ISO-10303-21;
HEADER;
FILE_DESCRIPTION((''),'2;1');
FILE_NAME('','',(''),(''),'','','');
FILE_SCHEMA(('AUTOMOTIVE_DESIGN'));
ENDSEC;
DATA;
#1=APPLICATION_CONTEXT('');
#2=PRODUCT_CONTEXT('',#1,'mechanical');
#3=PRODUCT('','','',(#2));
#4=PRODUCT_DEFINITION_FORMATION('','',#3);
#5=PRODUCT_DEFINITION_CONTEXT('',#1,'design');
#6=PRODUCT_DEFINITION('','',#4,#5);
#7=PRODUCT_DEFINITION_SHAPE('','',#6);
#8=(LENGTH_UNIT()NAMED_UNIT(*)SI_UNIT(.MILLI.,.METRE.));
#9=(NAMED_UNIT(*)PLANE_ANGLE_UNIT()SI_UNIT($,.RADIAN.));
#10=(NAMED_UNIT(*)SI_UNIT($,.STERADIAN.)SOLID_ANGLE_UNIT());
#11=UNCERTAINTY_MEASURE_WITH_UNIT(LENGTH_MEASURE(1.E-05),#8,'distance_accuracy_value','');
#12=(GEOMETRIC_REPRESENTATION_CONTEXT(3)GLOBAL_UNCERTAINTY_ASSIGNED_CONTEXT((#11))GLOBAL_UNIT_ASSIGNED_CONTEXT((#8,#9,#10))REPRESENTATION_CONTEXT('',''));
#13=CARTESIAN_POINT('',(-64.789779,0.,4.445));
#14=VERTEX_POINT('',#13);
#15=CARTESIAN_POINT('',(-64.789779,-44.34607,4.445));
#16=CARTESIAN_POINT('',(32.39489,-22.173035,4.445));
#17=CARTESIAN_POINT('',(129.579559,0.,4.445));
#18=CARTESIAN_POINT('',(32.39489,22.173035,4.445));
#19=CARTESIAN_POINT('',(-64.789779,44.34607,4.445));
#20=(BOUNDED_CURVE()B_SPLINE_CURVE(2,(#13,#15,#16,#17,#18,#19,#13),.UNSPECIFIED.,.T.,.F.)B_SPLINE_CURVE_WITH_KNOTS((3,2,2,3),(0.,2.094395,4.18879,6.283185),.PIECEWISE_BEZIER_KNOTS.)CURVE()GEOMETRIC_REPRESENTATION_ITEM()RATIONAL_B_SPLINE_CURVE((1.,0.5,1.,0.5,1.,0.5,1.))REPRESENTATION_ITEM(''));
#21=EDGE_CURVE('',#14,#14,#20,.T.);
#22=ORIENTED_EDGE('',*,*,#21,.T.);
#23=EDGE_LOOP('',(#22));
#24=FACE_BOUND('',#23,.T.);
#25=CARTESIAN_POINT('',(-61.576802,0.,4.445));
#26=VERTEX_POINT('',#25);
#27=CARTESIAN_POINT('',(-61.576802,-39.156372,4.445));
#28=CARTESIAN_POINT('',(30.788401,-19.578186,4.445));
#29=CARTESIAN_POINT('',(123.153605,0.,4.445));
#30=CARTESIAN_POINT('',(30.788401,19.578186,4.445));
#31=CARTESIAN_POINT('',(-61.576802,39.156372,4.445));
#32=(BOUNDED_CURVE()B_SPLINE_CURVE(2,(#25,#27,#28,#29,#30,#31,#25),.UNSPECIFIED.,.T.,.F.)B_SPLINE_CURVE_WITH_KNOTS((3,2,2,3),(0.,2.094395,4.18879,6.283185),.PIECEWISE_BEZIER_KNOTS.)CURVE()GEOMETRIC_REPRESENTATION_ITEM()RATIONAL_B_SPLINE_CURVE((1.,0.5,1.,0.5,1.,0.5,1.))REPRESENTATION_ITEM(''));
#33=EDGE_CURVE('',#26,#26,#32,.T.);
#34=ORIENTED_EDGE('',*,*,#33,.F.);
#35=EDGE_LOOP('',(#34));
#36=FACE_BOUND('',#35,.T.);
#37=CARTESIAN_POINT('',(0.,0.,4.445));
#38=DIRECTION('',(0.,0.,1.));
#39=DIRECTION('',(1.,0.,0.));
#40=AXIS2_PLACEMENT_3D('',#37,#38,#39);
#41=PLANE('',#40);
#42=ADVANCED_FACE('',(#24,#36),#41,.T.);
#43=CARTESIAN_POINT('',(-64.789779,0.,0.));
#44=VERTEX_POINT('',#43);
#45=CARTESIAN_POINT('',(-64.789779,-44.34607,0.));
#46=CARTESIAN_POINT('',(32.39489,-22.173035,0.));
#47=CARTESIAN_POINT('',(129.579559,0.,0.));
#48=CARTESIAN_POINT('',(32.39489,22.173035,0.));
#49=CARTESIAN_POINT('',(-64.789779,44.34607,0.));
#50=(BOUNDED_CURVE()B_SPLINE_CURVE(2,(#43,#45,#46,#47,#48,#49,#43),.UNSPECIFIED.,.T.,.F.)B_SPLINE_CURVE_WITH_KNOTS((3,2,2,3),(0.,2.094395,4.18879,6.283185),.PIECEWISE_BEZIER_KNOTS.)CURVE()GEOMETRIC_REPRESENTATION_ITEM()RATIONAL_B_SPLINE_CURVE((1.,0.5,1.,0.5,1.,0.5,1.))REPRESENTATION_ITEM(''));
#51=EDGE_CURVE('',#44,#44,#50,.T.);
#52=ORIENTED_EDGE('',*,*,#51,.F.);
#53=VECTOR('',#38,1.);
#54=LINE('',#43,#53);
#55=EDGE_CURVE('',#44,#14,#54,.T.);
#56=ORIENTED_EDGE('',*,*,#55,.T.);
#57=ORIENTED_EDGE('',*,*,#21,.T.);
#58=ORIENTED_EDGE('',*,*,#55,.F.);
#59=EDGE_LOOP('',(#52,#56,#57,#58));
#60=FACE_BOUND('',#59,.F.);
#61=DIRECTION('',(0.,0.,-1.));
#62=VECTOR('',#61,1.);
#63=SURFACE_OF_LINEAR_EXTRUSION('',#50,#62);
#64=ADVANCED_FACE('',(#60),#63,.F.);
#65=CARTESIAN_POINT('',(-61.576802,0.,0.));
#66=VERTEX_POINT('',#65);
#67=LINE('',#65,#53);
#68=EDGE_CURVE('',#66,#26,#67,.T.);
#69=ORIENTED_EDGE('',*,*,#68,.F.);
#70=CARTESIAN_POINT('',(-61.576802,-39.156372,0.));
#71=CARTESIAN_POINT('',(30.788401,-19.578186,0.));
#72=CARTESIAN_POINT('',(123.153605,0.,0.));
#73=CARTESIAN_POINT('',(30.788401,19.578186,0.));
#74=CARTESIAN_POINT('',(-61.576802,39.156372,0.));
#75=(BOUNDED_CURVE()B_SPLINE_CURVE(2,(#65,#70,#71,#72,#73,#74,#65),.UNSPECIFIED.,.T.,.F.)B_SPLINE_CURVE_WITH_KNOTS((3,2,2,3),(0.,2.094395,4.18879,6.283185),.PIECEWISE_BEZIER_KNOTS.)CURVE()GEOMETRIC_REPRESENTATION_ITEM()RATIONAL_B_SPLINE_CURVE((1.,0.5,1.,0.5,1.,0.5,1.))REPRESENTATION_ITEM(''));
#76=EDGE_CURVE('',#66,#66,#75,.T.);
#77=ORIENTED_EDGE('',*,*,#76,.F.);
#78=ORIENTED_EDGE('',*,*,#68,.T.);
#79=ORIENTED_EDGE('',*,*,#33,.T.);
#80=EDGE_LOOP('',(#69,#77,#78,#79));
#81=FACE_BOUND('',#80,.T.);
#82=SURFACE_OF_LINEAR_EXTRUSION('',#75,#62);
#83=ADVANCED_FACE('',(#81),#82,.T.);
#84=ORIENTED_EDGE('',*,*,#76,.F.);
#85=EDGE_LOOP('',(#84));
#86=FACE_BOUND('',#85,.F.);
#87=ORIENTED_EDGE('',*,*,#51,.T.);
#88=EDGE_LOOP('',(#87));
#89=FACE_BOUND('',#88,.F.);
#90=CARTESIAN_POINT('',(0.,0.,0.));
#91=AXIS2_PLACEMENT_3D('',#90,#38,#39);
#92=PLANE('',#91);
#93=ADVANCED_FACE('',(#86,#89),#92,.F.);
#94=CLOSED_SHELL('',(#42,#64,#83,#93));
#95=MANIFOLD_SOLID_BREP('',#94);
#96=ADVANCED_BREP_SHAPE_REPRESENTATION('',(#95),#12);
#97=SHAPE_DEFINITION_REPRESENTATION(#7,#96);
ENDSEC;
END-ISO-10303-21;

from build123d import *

# Parameters (mm, degrees)
F1_DEPTH = 4.445


with BuildPart() as f1:
    # F0 (on Top) → F1 (new body)
    with BuildSketch(Plane.XY):
        with BuildLine():
            add(Edge.make_bspline(
                [(-64.789779, 0), (-64.789779, -44.34607), (32.39489, -22.173035), (129.579559, 0), (32.39489, 22.173035), (-64.789779, 44.34607), (-64.789779, 0)],
                knots=[0, 0, 0, 2.094395, 2.094395, 4.18879, 4.18879, 6.283185, 6.283185, 6.283185], degree=2, weights=[1, 0.5, 1, 0.5, 1, 0.5, 1]))
        make_face()
        with BuildLine():
            add(Edge.make_bspline(
                [(-61.576802, 0), (-61.576802, -39.156372), (30.788401, -19.578186), (123.153605, 0), (30.788401, 19.578186), (-61.576802, 39.156372), (-61.576802, 0)],
                knots=[0, 0, 0, 2.094395, 2.094395, 4.18879, 4.18879, 6.283185, 6.283185, 6.283185], degree=2, weights=[1, 0.5, 1, 0.5, 1, 0.5, 1]))
        make_face(mode=Mode.SUBTRACT)
    extrude(amount=F1_DEPTH)


solid = f1.part
